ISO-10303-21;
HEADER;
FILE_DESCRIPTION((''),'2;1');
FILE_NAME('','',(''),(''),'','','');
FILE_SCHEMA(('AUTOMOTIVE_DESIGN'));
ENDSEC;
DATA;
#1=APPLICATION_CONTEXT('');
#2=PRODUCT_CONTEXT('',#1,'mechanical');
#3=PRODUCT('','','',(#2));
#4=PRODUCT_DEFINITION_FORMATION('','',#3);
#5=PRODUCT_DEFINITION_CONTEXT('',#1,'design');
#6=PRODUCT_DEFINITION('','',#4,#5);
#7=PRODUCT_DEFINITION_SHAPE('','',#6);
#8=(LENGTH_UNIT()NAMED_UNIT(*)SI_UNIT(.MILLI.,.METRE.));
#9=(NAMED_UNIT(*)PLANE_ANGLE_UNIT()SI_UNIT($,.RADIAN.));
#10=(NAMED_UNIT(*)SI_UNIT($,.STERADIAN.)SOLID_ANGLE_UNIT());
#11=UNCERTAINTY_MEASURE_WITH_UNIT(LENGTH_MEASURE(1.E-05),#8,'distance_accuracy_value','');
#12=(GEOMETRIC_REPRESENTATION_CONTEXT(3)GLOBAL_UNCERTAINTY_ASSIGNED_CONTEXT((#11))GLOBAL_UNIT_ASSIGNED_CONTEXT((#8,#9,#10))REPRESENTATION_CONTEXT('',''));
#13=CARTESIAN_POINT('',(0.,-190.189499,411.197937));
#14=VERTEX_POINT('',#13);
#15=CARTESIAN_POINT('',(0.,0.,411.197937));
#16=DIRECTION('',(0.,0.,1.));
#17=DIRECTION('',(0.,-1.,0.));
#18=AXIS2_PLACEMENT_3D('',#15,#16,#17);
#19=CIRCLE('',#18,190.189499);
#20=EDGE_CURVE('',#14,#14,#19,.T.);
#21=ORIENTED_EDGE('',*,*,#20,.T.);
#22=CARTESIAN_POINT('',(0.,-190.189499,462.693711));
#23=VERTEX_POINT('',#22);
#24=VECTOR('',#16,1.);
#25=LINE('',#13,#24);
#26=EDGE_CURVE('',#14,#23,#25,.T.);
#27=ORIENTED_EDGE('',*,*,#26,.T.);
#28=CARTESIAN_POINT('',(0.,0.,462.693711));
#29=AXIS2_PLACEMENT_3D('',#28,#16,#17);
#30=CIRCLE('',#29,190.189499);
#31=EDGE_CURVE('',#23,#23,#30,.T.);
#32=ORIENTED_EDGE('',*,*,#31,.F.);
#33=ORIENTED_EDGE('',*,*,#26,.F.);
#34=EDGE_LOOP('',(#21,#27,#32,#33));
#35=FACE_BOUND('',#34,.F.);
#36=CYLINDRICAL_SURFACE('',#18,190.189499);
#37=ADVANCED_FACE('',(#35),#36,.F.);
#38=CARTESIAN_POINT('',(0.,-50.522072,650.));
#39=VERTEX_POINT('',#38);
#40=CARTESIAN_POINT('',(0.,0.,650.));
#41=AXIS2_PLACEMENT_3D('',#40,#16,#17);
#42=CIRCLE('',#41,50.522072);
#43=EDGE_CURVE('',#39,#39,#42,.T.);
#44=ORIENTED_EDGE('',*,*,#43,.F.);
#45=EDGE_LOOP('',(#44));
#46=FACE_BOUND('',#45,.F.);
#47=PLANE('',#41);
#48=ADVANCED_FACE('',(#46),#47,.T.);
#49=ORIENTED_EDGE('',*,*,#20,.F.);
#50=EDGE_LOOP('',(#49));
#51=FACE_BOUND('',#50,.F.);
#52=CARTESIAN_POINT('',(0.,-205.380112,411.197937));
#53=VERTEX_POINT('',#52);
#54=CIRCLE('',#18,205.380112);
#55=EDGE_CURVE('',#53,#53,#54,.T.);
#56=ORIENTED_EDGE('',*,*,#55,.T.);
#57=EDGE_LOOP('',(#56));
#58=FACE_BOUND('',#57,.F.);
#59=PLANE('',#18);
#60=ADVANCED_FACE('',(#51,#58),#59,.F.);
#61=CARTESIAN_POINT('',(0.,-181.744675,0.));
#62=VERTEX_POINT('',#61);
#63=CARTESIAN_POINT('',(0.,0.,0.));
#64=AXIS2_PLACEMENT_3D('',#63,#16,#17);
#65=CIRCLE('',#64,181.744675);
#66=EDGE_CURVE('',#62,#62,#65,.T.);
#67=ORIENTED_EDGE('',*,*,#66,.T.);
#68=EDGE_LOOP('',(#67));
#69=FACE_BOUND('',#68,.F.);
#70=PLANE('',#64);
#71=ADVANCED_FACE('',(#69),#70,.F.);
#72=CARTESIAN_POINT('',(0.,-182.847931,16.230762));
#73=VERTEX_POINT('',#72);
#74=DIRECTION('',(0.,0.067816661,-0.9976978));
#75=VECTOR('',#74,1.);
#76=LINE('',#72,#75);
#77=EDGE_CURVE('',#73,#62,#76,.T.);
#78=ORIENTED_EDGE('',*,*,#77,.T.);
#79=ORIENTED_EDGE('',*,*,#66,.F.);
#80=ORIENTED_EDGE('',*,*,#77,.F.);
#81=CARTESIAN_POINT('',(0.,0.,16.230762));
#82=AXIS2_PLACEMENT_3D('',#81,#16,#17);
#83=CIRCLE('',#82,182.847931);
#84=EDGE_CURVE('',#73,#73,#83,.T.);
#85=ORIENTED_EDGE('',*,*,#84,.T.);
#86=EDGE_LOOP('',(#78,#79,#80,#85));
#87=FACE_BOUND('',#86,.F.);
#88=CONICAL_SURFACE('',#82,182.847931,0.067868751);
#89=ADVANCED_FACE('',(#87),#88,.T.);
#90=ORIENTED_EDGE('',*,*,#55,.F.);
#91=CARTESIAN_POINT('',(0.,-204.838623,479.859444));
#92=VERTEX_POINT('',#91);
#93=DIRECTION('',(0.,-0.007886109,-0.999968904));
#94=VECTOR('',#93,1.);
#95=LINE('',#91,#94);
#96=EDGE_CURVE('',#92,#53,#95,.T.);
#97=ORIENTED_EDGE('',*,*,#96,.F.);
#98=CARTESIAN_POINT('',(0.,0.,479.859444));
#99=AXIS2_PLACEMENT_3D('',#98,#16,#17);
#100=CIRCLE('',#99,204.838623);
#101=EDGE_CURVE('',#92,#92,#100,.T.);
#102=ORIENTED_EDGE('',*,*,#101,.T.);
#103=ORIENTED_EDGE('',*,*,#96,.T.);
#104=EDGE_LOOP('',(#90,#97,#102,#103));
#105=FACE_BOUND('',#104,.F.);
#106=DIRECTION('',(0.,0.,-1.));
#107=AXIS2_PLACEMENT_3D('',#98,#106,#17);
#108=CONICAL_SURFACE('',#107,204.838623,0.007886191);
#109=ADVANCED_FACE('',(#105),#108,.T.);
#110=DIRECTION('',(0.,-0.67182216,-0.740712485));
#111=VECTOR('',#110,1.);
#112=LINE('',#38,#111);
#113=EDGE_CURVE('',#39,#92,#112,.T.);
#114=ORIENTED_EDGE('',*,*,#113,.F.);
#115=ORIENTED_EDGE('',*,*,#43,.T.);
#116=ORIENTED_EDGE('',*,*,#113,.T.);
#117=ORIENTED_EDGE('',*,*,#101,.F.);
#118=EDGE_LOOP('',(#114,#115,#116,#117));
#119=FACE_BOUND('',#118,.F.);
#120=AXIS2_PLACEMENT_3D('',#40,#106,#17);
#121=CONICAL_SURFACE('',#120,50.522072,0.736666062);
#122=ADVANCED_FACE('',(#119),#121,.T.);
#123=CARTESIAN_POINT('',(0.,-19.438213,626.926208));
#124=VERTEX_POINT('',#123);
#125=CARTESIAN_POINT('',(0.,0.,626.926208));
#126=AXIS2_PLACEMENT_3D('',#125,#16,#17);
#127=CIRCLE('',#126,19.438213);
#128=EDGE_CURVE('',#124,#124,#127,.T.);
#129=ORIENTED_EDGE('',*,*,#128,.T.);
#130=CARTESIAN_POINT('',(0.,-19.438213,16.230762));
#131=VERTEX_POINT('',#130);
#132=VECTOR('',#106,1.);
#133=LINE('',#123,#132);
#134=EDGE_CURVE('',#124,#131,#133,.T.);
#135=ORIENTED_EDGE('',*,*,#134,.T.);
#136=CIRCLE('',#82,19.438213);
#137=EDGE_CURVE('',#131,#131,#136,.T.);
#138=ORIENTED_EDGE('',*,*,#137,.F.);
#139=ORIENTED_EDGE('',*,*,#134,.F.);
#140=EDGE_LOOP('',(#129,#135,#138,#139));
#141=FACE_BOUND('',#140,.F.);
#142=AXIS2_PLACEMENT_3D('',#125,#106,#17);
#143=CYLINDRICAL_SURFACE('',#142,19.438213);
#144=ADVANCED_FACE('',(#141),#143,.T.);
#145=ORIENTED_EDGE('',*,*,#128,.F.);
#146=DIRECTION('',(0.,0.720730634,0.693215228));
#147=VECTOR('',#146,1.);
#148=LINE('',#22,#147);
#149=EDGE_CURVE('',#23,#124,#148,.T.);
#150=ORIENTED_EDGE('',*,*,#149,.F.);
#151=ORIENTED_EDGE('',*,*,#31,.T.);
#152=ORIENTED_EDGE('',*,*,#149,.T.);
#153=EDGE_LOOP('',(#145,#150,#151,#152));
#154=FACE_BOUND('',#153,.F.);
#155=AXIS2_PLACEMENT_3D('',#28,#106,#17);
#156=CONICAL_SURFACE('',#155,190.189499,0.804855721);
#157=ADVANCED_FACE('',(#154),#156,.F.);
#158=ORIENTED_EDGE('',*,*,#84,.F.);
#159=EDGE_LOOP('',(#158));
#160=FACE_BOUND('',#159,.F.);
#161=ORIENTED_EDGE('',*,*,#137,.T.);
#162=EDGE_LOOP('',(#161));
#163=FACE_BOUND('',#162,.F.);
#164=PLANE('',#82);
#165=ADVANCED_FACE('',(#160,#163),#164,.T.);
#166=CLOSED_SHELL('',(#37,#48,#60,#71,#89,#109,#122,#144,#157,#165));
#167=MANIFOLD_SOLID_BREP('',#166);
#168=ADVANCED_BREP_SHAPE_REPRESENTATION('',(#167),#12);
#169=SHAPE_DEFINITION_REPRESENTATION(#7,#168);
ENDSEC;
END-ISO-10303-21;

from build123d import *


with BuildPart() as part:
    # Sketch → Revolution (revolve)
    with BuildSketch(Plane.YZ):
        Polygon((0, 0), (0, 650), (-50.522072, 650), (-204.838623, 479.859444), (-205.380112, 411.197937), (-190.189499, 411.197937), (-190.189499, 462.693711), (-19.438213, 626.926208), (-19.438213, 16.230762), (-182.847931, 16.230762), (-181.744675, 0), align=None)
    revolve(axis=Axis((0, 0, 0), (0, 0, 1)))


solid = part.part
